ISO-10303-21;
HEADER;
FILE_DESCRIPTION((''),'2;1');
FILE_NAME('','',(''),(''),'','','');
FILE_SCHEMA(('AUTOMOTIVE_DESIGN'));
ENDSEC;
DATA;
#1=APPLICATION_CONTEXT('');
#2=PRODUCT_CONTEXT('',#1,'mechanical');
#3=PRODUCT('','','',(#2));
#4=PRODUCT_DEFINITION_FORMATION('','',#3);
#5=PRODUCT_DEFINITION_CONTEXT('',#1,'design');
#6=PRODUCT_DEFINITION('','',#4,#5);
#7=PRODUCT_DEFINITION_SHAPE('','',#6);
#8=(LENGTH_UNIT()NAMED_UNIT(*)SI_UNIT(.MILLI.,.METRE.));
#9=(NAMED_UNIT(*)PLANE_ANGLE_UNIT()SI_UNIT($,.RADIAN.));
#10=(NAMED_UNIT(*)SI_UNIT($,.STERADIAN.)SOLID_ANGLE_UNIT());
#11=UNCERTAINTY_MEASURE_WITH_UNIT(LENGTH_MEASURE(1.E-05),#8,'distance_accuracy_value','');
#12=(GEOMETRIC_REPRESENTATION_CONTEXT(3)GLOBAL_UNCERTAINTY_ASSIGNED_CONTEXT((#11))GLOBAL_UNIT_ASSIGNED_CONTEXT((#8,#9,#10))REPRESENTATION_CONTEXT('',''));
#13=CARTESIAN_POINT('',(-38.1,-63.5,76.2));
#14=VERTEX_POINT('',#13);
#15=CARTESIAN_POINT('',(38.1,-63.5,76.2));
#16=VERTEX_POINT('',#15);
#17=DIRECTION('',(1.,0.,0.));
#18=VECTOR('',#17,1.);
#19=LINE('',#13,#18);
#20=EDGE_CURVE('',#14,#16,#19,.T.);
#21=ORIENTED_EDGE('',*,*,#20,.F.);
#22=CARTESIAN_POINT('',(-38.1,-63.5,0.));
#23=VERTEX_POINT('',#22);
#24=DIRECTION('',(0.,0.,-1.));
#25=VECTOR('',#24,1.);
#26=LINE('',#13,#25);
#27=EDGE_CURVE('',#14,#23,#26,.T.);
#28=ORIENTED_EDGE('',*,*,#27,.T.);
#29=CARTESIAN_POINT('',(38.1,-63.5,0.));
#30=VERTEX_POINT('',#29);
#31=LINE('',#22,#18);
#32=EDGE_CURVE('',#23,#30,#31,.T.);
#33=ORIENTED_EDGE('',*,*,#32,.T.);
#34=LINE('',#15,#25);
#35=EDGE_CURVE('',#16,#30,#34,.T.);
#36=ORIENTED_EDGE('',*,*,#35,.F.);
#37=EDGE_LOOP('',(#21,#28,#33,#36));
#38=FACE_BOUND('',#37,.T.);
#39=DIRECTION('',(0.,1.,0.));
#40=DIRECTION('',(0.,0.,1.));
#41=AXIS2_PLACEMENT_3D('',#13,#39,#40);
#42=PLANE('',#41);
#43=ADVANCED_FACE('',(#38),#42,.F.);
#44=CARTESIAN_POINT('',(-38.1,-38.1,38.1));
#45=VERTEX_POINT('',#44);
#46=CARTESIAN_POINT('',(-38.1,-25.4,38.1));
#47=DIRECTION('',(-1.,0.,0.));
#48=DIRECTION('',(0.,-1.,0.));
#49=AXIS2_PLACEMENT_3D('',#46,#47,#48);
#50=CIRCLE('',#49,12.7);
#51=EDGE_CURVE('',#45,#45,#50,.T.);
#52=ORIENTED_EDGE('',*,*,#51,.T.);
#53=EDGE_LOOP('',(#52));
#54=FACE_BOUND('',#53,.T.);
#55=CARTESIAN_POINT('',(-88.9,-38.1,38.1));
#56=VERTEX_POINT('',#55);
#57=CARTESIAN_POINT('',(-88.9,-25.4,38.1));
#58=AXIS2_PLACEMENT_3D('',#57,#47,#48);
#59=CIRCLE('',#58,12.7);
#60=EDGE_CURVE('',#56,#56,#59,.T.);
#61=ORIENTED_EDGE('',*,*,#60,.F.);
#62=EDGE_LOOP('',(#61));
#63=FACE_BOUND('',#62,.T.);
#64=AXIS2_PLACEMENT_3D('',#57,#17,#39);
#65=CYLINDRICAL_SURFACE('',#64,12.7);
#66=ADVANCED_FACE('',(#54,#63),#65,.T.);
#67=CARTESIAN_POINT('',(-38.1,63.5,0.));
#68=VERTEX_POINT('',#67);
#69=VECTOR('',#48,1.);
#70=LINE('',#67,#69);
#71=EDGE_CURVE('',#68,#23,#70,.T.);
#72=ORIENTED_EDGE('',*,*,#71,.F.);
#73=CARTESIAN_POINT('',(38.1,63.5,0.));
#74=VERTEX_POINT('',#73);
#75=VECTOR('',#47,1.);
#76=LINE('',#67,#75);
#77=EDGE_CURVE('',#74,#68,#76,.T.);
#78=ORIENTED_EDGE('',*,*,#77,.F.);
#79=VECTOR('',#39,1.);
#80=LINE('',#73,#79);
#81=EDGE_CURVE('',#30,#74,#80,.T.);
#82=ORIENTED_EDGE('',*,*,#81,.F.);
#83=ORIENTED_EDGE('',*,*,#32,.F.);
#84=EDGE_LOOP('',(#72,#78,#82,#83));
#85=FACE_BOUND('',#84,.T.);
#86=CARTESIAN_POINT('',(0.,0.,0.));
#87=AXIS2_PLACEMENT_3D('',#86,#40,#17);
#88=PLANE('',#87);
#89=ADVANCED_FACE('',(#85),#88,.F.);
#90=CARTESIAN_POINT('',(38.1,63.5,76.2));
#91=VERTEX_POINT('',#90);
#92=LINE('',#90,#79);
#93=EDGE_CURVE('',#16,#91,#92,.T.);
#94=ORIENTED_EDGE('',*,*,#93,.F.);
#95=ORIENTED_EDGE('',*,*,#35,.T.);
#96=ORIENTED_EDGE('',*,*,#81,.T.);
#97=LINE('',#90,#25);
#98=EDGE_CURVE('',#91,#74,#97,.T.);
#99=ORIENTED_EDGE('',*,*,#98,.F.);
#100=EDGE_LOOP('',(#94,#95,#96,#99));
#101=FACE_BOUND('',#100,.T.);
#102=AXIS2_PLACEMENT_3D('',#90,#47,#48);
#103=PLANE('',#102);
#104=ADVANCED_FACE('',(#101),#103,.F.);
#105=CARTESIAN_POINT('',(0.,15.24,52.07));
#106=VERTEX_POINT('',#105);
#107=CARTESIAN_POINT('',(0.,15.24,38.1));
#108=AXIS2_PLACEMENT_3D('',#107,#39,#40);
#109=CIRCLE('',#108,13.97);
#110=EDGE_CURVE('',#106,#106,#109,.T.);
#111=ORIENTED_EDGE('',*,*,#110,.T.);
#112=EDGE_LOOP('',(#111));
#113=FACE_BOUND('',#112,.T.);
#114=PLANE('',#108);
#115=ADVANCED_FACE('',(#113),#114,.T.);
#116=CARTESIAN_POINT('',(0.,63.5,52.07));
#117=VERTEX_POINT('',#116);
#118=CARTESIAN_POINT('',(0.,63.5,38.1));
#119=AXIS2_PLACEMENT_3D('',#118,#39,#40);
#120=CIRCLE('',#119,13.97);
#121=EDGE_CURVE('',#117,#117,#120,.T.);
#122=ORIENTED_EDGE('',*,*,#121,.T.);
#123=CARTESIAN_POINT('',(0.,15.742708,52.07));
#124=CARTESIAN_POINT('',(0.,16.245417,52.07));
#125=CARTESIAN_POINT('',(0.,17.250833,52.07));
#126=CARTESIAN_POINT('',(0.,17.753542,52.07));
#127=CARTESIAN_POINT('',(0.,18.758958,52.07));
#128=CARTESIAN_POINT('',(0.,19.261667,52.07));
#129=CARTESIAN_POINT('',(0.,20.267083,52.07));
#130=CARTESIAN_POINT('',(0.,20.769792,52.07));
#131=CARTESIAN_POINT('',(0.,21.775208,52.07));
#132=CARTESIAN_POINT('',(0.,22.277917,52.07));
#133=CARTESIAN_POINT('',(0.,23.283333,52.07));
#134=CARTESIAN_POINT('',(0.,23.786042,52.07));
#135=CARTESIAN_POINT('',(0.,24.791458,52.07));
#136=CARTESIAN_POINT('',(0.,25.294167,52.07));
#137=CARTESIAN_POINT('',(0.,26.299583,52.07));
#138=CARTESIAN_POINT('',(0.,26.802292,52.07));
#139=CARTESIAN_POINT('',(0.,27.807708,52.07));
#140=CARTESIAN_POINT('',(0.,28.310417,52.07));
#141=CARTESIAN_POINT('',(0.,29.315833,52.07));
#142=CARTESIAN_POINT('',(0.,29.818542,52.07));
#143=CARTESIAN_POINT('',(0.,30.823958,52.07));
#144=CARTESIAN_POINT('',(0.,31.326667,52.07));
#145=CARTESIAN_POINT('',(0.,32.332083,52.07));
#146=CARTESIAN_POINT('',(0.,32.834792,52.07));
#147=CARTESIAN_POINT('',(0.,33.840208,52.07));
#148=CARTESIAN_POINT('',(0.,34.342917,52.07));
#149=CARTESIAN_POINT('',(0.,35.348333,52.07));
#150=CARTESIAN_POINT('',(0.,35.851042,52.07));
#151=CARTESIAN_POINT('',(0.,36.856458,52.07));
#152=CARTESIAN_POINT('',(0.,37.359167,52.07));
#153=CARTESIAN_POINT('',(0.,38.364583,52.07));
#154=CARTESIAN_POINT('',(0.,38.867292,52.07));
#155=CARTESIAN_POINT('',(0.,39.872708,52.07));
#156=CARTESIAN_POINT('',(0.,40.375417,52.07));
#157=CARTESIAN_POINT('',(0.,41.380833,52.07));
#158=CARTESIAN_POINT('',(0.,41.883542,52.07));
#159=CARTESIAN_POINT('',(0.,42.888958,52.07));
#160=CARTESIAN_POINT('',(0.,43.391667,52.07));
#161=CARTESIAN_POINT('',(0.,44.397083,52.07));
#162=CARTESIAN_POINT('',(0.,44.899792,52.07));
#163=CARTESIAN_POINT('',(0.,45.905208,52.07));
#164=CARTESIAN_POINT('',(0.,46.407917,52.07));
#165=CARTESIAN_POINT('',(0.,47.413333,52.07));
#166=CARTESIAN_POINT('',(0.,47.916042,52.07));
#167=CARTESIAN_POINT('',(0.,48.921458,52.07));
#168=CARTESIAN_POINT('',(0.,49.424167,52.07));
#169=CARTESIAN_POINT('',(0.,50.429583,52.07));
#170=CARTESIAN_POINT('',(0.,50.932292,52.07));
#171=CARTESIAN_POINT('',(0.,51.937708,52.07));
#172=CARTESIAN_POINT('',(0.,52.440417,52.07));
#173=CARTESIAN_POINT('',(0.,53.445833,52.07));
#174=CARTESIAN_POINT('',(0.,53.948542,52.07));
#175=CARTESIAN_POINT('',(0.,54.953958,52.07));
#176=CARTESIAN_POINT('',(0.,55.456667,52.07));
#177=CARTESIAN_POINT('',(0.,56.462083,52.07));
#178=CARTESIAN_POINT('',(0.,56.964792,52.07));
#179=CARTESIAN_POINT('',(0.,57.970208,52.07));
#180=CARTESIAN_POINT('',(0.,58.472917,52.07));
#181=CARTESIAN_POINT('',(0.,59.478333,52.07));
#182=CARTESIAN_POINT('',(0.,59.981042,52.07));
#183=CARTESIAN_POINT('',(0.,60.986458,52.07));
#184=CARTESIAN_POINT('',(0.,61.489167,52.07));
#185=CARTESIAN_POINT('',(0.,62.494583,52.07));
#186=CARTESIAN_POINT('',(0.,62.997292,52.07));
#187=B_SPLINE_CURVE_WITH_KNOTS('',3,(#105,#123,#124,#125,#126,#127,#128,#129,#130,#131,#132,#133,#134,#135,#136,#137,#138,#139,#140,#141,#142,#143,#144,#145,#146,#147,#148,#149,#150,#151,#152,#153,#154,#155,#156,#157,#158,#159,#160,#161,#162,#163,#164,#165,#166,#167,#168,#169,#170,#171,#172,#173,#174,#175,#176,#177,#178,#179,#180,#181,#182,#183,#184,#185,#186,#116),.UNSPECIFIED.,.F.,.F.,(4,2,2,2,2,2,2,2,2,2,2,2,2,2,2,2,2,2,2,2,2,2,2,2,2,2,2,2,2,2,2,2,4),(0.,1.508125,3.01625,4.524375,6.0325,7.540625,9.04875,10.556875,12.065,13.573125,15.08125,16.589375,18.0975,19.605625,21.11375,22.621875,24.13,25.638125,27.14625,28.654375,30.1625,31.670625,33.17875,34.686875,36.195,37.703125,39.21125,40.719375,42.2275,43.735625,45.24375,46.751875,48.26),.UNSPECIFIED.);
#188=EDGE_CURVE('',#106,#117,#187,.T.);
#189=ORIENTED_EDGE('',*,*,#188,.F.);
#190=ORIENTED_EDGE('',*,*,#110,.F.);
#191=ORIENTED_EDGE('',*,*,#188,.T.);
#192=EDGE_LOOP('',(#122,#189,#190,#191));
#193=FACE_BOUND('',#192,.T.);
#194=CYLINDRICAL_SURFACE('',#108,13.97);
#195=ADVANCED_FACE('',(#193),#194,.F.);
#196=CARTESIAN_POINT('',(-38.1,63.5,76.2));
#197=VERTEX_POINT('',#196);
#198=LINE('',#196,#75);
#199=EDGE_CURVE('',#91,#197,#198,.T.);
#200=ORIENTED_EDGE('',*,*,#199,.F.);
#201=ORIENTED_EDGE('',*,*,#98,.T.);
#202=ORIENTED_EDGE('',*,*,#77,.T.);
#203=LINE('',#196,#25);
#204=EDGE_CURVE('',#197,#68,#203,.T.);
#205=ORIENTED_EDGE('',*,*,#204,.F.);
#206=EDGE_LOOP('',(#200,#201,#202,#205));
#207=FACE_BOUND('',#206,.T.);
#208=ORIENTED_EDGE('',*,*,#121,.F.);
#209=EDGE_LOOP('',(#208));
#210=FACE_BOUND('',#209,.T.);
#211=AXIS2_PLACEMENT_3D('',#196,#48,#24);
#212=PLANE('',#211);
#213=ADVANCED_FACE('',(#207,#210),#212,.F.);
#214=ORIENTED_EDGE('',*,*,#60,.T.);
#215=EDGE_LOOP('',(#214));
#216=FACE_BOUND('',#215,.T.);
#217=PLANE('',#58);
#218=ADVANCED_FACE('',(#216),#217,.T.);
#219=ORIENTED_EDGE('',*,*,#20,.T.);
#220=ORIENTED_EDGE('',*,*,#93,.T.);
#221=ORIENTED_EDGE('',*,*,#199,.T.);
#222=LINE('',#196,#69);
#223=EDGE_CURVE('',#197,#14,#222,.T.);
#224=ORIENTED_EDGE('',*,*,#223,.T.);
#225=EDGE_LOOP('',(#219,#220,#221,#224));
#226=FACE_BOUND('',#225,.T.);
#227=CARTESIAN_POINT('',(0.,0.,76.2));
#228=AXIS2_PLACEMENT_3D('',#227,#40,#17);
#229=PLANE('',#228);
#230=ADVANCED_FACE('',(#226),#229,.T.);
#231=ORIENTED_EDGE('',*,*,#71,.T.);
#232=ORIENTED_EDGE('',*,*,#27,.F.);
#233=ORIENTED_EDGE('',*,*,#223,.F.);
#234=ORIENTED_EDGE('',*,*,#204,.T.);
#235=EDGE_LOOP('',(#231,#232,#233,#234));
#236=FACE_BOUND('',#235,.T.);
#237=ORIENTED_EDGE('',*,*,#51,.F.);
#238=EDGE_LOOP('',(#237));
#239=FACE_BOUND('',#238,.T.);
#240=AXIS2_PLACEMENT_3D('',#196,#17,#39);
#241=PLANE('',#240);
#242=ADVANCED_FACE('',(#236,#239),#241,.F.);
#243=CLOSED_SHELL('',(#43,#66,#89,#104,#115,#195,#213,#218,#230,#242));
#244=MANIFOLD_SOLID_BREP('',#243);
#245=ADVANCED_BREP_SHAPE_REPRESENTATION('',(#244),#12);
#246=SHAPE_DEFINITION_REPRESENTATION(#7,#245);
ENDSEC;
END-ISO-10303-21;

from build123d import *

# Parameters (mm, degrees)
SKETCH1_W           = 76.2
SKETCH1_H           = 127
BOSS_EXTRUDE1_DEPTH = 76.2
SKETCH2_R           = 13.97
CUT_EXTRUDE1_DEPTH  = 48.26
SKETCH3_R           = 12.7
BOSS_EXTRUDE2_DEPTH = 50.8


with BuildPart() as part:
    # Sketch1 → Boss-Extrude1 (new body)
    with BuildSketch(Plane.XY):
        Rectangle(SKETCH1_W, SKETCH1_H)
    extrude(amount=BOSS_EXTRUDE1_DEPTH)

    # Sketch2 → Cut-Extrude1 (cut)
    with BuildSketch(Plane(origin=(0, 63.5, 0), x_dir=(1, 0, 0), z_dir=(0, 1, 0))):
        with Locations(Location((0, -38.1, 0), (0, 0, 270))):
            Circle(SKETCH2_R)
    extrude(amount=-CUT_EXTRUDE1_DEPTH, mode=Mode.SUBTRACT)

    # Sketch3 → Boss-Extrude2 (add)
    with BuildSketch(Plane.ZY.offset(38.1)):
        with Locations(Location((38.1, -25.4, 0), (0, 0, 270))):
            Circle(SKETCH3_R)
    extrude(amount=BOSS_EXTRUDE2_DEPTH)


solid = part.part
